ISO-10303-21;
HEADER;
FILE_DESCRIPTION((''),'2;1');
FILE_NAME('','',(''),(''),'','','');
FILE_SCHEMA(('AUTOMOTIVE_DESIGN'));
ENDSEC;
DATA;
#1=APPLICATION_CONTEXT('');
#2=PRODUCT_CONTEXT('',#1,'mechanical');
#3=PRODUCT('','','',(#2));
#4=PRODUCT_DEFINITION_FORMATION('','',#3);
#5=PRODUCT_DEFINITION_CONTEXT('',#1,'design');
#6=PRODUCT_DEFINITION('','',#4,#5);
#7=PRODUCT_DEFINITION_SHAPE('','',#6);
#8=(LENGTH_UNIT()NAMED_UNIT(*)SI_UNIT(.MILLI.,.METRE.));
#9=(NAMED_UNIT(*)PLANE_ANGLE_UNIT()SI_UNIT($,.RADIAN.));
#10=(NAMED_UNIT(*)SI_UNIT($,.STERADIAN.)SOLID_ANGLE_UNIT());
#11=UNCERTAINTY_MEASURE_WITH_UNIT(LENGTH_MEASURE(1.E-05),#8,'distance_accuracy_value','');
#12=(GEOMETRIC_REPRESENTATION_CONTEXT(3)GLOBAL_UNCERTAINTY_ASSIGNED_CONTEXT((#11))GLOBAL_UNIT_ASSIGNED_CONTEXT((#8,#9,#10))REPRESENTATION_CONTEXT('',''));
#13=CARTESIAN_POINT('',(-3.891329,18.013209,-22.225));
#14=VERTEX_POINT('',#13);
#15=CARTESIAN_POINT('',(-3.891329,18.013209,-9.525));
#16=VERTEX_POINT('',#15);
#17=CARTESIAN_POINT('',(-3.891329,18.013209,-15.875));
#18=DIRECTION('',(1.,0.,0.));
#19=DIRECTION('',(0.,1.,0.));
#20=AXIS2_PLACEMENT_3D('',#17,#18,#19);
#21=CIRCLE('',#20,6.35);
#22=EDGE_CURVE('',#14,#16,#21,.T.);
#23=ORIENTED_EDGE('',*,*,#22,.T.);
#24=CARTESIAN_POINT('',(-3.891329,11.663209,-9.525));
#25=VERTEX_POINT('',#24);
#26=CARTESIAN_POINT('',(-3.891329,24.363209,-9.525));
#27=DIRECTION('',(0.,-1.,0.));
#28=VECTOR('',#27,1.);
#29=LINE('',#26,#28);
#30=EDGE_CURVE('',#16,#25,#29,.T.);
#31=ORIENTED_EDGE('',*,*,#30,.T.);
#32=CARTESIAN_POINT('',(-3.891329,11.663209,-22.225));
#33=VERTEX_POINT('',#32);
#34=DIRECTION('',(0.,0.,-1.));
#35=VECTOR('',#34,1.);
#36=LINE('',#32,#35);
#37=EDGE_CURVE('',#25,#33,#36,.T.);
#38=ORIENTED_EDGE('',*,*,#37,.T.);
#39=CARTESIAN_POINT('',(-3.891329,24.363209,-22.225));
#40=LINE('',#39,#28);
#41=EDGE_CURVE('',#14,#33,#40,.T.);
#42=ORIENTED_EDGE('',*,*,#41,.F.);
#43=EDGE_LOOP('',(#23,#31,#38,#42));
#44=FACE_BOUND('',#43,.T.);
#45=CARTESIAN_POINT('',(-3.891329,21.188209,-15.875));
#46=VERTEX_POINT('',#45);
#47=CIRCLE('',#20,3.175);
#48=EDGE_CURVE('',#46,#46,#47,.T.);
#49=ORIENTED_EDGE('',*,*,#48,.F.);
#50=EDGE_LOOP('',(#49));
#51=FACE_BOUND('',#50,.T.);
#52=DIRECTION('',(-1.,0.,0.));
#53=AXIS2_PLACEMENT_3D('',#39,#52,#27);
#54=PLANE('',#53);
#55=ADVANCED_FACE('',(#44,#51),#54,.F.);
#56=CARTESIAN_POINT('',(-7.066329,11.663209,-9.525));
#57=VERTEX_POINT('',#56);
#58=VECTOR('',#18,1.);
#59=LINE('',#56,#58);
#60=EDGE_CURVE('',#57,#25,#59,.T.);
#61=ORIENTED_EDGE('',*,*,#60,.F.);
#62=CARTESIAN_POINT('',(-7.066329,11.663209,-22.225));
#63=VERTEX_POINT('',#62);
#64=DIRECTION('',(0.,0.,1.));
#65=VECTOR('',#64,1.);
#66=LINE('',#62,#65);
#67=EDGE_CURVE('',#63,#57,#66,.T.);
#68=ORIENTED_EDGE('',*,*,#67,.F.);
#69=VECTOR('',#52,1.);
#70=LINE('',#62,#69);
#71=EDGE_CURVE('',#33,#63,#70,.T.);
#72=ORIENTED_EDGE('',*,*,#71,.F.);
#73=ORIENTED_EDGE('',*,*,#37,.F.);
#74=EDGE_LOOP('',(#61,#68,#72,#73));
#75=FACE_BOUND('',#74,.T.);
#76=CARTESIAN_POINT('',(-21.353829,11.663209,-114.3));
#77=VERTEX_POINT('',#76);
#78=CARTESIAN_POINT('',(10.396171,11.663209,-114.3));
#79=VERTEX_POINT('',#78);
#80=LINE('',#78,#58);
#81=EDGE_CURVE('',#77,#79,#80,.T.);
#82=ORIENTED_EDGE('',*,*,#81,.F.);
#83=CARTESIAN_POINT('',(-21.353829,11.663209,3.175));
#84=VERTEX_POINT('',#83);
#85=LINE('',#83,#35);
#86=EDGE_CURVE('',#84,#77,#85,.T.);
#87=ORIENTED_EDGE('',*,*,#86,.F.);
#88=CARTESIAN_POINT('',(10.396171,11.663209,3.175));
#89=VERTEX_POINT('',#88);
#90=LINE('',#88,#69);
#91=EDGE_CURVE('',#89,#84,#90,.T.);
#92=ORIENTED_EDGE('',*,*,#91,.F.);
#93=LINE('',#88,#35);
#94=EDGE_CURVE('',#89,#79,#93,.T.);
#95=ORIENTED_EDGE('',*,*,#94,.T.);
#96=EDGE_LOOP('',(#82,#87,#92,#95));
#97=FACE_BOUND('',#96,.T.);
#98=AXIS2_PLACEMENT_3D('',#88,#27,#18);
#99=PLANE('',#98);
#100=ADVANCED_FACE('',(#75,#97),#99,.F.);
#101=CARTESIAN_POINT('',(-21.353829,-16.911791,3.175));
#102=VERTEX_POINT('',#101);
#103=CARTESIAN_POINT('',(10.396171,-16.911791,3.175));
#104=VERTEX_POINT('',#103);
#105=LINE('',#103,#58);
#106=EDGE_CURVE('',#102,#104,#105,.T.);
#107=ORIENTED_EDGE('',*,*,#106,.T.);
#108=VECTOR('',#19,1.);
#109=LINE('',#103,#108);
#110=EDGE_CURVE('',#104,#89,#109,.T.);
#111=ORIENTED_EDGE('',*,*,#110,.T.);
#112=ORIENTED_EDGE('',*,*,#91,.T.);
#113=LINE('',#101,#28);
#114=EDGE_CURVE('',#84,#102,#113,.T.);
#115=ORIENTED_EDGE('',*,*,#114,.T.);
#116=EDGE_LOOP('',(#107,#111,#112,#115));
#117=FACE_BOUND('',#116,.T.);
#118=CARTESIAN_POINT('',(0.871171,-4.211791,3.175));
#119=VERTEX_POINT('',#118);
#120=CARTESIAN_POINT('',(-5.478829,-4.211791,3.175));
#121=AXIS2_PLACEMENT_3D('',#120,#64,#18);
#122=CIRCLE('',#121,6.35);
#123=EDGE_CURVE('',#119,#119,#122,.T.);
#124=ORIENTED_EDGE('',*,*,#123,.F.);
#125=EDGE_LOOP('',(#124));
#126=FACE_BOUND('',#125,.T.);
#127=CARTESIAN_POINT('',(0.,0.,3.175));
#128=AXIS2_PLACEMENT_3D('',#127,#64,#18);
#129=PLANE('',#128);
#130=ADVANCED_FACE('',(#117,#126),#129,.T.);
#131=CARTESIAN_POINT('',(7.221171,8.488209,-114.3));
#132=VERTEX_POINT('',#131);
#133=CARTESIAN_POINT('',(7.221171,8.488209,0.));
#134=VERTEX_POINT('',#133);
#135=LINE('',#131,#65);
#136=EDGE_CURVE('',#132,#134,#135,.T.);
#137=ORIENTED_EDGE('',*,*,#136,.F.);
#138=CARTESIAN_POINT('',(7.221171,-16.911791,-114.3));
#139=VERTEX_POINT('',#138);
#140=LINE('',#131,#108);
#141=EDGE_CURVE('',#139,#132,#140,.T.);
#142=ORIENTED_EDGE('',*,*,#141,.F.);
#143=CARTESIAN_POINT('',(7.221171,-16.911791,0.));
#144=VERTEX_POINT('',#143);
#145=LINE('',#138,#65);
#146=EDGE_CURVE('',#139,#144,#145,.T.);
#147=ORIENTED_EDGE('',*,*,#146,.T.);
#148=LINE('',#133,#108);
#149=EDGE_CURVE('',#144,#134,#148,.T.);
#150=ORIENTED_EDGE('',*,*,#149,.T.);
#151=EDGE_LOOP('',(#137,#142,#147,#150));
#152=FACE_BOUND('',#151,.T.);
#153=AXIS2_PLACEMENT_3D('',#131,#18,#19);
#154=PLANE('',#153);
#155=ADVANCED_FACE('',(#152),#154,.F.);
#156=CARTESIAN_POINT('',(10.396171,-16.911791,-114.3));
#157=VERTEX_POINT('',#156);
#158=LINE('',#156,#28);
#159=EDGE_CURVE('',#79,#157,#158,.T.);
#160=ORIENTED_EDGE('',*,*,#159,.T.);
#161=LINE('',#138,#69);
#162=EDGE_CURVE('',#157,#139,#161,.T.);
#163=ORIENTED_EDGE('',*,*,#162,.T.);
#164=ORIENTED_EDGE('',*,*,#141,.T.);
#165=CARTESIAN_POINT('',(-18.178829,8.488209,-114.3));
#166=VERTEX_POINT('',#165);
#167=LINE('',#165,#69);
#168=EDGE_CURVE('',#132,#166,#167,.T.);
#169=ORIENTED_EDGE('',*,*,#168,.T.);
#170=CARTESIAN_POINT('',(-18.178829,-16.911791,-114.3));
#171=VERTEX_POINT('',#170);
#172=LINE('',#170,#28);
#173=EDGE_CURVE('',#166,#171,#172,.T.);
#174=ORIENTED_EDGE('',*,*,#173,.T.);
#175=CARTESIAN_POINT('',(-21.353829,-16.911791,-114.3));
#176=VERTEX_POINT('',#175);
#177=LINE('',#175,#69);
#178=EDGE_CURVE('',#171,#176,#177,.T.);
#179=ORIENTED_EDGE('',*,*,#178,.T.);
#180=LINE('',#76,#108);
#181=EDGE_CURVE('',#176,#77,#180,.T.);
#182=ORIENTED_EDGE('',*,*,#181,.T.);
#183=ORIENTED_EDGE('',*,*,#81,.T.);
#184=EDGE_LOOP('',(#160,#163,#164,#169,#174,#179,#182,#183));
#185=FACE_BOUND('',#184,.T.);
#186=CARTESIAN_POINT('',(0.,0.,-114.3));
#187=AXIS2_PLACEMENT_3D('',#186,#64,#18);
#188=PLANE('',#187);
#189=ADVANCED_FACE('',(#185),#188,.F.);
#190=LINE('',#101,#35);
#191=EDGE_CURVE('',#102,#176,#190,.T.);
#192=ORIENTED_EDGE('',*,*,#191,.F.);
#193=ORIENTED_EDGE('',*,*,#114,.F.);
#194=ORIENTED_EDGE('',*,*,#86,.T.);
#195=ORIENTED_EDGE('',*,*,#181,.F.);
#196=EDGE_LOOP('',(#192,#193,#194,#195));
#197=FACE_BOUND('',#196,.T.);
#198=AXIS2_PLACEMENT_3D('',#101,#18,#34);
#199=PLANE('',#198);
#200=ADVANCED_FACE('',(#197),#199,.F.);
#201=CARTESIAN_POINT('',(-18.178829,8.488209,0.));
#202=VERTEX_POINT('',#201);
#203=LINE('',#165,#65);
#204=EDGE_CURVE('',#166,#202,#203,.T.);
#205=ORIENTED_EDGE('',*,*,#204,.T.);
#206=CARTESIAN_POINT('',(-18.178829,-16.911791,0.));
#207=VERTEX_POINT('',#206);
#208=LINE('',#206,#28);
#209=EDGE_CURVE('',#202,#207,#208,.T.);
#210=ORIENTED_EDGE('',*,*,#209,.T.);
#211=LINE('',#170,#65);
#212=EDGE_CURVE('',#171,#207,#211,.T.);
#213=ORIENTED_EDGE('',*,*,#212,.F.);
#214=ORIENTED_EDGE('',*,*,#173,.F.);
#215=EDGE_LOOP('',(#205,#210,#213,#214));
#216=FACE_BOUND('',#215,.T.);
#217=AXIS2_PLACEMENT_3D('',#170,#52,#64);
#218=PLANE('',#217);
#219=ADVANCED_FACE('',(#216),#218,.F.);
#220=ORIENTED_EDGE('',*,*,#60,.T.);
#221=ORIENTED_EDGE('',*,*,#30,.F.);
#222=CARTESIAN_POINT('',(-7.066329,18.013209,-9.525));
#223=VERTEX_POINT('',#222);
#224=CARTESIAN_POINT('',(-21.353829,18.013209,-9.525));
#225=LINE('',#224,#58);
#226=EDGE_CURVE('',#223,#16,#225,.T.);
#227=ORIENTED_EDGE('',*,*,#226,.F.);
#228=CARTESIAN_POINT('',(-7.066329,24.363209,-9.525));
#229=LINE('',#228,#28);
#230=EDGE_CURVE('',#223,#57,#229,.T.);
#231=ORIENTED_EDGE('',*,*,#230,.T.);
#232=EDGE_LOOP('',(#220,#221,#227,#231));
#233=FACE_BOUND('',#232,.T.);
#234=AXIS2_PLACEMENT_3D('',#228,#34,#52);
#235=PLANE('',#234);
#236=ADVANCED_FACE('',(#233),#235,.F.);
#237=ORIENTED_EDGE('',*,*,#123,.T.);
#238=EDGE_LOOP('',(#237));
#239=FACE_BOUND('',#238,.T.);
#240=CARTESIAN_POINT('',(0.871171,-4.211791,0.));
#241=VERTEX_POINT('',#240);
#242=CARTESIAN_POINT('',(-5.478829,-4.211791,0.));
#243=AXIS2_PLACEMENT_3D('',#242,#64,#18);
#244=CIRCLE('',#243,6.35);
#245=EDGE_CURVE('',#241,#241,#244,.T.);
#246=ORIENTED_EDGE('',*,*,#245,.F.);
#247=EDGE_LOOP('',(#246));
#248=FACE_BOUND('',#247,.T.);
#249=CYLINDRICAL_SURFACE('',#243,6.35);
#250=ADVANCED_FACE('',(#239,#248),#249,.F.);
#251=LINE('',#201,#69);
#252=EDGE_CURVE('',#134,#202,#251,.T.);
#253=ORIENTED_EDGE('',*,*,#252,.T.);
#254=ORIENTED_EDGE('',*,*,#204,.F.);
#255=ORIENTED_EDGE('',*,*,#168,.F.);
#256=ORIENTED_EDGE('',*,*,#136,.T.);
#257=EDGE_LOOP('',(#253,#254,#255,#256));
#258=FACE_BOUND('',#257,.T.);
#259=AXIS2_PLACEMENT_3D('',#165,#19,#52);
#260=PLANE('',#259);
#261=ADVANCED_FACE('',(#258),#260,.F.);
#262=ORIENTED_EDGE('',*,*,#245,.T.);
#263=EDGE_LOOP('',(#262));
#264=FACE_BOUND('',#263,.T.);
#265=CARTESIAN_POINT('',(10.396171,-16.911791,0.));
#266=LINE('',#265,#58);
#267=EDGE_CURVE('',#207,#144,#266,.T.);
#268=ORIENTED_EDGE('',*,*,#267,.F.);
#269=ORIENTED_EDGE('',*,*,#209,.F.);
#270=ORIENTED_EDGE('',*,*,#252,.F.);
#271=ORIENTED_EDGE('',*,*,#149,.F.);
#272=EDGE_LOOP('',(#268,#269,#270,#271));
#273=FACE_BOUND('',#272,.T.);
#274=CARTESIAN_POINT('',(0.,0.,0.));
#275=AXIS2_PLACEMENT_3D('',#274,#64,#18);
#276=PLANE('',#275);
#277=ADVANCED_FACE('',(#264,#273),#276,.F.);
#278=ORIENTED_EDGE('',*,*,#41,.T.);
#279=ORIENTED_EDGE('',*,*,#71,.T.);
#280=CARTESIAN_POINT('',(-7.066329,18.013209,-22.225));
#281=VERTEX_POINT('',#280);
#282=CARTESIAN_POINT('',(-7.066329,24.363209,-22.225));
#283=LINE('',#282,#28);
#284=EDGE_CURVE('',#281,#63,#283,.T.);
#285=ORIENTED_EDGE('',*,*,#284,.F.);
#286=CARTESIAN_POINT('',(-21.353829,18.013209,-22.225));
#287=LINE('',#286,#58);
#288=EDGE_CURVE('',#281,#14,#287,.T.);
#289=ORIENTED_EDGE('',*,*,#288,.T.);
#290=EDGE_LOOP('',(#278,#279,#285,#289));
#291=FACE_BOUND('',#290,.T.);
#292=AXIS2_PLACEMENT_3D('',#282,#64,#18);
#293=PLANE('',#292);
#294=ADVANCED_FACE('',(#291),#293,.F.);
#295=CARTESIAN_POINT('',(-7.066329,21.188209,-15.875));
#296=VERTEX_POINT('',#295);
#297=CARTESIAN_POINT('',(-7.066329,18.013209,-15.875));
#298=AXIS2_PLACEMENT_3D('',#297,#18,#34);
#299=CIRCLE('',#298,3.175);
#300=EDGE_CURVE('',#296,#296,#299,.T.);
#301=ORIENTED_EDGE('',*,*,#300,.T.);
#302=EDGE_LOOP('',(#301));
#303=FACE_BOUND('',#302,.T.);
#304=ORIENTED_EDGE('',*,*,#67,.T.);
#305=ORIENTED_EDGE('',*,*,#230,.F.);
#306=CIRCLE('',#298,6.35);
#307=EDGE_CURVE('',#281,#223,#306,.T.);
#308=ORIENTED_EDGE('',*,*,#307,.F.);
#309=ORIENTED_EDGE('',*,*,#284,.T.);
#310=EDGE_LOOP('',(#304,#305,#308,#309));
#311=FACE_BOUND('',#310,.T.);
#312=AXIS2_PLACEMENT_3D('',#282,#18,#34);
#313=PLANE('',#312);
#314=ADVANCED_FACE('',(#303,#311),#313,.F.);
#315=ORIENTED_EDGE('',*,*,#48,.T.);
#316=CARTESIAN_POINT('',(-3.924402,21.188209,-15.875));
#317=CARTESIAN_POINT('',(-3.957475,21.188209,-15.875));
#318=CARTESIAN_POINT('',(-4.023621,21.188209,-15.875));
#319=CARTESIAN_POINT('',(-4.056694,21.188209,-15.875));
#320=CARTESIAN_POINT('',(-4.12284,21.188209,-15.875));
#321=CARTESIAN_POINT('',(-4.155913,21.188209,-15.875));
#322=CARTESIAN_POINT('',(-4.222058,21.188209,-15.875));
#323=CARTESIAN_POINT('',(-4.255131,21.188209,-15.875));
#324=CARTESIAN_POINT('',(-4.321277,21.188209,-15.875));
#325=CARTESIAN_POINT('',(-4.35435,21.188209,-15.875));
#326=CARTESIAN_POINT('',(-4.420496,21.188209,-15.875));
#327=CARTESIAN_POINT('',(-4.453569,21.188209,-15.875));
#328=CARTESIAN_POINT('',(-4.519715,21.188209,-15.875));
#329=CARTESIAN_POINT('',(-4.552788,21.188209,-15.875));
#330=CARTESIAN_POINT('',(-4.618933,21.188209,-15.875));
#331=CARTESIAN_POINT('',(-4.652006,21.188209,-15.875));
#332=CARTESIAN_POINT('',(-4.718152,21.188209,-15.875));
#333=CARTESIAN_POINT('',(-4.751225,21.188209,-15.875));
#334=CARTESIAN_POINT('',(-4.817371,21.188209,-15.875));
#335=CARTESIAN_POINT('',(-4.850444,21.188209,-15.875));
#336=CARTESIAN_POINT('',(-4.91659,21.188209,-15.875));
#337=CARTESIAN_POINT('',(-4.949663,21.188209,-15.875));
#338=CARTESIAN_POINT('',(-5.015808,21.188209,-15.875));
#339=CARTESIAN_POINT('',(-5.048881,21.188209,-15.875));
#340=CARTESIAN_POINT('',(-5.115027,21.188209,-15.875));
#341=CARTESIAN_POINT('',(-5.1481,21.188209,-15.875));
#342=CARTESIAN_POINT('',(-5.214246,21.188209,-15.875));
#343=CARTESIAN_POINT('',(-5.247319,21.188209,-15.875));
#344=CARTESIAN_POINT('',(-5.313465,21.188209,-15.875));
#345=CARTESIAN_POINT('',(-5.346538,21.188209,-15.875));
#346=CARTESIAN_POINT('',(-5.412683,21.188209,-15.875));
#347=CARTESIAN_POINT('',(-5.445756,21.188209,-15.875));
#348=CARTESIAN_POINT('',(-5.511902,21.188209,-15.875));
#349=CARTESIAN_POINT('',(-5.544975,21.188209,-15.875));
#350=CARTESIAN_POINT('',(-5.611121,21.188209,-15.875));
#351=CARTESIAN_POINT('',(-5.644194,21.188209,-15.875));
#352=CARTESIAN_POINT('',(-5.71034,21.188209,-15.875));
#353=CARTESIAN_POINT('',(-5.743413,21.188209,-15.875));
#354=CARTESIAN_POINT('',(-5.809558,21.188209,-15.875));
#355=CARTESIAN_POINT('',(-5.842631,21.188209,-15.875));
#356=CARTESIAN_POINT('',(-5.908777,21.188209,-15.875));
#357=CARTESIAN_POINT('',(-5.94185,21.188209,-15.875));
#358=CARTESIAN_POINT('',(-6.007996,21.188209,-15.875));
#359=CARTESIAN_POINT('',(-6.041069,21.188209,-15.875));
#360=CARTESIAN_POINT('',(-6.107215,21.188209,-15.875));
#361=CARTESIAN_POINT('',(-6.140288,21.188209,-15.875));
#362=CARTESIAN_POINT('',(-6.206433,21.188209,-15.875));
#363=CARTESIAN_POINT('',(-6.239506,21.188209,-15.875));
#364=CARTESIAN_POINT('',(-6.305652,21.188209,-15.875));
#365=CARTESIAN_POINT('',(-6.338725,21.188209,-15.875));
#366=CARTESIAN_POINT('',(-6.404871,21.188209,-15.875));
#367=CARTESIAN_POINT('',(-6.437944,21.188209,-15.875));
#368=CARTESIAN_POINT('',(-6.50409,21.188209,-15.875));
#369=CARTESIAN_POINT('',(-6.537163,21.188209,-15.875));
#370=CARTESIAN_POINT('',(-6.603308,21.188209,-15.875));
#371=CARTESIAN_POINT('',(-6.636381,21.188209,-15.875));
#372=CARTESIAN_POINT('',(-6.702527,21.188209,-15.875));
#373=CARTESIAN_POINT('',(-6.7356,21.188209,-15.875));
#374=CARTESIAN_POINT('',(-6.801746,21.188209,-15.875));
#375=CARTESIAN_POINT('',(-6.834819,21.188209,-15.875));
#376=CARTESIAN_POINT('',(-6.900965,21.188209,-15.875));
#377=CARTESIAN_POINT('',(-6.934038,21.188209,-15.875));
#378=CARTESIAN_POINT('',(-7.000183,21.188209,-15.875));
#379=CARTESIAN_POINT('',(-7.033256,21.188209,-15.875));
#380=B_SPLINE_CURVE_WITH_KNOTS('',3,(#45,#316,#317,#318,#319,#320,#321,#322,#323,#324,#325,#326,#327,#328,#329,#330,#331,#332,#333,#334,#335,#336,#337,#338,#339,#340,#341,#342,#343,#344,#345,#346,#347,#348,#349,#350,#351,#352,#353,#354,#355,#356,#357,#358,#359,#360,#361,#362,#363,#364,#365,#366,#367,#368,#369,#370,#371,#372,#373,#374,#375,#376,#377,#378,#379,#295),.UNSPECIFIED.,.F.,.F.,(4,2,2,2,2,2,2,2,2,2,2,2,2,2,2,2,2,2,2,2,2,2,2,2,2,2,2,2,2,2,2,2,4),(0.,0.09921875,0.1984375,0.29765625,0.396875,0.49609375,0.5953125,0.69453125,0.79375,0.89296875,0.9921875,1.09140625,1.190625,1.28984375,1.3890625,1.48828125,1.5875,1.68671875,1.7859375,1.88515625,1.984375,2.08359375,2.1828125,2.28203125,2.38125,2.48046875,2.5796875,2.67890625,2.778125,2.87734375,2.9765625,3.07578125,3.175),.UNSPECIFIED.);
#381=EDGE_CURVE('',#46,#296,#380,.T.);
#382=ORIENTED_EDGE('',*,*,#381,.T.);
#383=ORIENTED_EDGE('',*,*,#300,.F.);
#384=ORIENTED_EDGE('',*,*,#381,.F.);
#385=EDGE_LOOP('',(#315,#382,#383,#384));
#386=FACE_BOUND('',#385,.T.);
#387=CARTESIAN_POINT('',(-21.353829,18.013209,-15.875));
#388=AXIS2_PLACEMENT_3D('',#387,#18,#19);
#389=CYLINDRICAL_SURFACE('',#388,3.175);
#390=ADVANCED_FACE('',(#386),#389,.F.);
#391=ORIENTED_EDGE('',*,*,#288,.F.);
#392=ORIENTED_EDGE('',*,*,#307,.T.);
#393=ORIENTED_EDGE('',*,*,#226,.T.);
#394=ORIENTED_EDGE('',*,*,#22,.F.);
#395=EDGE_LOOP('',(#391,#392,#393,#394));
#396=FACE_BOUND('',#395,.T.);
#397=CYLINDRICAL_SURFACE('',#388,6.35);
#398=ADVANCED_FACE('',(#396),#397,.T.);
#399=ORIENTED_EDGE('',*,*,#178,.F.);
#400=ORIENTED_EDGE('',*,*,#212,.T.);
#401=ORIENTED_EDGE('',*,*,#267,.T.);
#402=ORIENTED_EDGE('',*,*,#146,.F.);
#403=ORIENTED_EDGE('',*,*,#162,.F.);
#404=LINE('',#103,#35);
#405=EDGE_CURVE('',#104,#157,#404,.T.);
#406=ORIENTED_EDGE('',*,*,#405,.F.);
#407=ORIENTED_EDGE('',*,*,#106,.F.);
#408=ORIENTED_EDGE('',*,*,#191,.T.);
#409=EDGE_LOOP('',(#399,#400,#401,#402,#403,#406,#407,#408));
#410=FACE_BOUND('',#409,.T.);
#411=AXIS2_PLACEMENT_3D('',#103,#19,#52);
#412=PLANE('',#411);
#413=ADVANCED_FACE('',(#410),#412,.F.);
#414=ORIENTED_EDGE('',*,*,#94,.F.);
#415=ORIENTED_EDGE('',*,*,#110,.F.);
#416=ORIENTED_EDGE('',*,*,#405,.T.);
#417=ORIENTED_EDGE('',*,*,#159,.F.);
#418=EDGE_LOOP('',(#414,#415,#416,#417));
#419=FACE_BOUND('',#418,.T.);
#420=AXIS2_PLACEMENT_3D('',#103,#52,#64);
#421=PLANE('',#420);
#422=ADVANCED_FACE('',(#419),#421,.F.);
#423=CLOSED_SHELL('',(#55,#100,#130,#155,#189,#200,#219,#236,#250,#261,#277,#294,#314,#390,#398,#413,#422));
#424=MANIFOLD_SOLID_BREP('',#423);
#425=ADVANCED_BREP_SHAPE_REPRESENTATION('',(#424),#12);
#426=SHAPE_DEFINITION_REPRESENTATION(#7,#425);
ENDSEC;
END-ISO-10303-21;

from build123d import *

# Parameters (mm, degrees)
SKETCH1_W           = 31.75
SKETCH1_H           = 28.575
BOSS_EXTRUDE1_DEPTH = 3.175
SKETCH2_R           = 6.35
CUT_EXTRUDE1_DEPTH  = 28.423991451
BOSS_EXTRUDE2_DEPTH = 114.3
SKETCH4_W           = 3.175
SKETCH4_H           = 12.7
BOSS_EXTRUDE3_DEPTH = 12.7
SKETCH5_R           = 3.175
CUT_EXTRUDE2_DEPTH  = 119.165117032


with BuildPart() as part:
    # Sketch1 → Boss-Extrude1 (new body)
    with BuildSketch(Plane.XY):
        with Locations((-5.47882926, -2.624290504)):
            Rectangle(SKETCH1_W, SKETCH1_H)
    extrude(amount=BOSS_EXTRUDE1_DEPTH)

    # Sketch2 → Cut-Extrude1 (cut, through all)
    with BuildSketch(Plane.XY.offset(3.175)):
        with Locations((-5.47882926, -4.211790504)):
            Circle(SKETCH2_R)
    extrude(amount=-CUT_EXTRUDE1_DEPTH, mode=Mode.SUBTRACT)

    # Sketch3 → Boss-Extrude2 (add)
    with BuildSketch(Plane(origin=(0, 0, 0), x_dir=(-1, 0, 0), z_dir=(0, 0, -1))):
        Polygon((21.35382926, -16.911790504), (18.17882926, -16.911790504), (18.17882926, 8.488209496), (-7.22117074, 8.488209496), (-7.22117074, -16.911790504), (-10.39617074, -16.911790504), (-10.39617074, 11.663209496), (21.35382926, 11.663209496), align=None)
    extrude(amount=BOSS_EXTRUDE2_DEPTH)

    # Sketch4 → Boss-Extrude3 (add)
    with BuildSketch(Plane(origin=(0, 11.663209496, 0), x_dir=(1, 0, 0), z_dir=(0, 1, 0))):
        with Locations((-5.47882926, 15.875)):
            Rectangle(SKETCH4_W, SKETCH4_H)
    extrude(amount=BOSS_EXTRUDE3_DEPTH)

    # Sketch5 → Cut-Extrude2 (cut, through all)
    with BuildSketch(Plane(origin=(-3.89132926, 0, 0), x_dir=(0, 0, -1), z_dir=(1, 0, 0))):
        with BuildLine():
            ThreePointArc((15.875, 24.363209496), (20.365128061, 22.503337556), (22.225, 18.013209496))
            Line((22.225, 18.013209496), (22.225, 24.363209496))
            Line((22.225, 24.363209496), (15.875, 24.363209496))
        make_face()
        with BuildLine():
            ThreePointArc((9.525, 18.013209496), (11.384871939, 22.503337556), (15.875, 24.363209496))
            Line((15.875, 24.363209496), (9.525, 24.363209496))
            Line((9.525, 24.363209496), (9.525, 18.013209496))
        make_face()
        with Locations((15.875, 18.013209496)):
            Circle(SKETCH5_R)
    extrude(amount=-CUT_EXTRUDE2_DEPTH, mode=Mode.SUBTRACT)


solid = part.part
